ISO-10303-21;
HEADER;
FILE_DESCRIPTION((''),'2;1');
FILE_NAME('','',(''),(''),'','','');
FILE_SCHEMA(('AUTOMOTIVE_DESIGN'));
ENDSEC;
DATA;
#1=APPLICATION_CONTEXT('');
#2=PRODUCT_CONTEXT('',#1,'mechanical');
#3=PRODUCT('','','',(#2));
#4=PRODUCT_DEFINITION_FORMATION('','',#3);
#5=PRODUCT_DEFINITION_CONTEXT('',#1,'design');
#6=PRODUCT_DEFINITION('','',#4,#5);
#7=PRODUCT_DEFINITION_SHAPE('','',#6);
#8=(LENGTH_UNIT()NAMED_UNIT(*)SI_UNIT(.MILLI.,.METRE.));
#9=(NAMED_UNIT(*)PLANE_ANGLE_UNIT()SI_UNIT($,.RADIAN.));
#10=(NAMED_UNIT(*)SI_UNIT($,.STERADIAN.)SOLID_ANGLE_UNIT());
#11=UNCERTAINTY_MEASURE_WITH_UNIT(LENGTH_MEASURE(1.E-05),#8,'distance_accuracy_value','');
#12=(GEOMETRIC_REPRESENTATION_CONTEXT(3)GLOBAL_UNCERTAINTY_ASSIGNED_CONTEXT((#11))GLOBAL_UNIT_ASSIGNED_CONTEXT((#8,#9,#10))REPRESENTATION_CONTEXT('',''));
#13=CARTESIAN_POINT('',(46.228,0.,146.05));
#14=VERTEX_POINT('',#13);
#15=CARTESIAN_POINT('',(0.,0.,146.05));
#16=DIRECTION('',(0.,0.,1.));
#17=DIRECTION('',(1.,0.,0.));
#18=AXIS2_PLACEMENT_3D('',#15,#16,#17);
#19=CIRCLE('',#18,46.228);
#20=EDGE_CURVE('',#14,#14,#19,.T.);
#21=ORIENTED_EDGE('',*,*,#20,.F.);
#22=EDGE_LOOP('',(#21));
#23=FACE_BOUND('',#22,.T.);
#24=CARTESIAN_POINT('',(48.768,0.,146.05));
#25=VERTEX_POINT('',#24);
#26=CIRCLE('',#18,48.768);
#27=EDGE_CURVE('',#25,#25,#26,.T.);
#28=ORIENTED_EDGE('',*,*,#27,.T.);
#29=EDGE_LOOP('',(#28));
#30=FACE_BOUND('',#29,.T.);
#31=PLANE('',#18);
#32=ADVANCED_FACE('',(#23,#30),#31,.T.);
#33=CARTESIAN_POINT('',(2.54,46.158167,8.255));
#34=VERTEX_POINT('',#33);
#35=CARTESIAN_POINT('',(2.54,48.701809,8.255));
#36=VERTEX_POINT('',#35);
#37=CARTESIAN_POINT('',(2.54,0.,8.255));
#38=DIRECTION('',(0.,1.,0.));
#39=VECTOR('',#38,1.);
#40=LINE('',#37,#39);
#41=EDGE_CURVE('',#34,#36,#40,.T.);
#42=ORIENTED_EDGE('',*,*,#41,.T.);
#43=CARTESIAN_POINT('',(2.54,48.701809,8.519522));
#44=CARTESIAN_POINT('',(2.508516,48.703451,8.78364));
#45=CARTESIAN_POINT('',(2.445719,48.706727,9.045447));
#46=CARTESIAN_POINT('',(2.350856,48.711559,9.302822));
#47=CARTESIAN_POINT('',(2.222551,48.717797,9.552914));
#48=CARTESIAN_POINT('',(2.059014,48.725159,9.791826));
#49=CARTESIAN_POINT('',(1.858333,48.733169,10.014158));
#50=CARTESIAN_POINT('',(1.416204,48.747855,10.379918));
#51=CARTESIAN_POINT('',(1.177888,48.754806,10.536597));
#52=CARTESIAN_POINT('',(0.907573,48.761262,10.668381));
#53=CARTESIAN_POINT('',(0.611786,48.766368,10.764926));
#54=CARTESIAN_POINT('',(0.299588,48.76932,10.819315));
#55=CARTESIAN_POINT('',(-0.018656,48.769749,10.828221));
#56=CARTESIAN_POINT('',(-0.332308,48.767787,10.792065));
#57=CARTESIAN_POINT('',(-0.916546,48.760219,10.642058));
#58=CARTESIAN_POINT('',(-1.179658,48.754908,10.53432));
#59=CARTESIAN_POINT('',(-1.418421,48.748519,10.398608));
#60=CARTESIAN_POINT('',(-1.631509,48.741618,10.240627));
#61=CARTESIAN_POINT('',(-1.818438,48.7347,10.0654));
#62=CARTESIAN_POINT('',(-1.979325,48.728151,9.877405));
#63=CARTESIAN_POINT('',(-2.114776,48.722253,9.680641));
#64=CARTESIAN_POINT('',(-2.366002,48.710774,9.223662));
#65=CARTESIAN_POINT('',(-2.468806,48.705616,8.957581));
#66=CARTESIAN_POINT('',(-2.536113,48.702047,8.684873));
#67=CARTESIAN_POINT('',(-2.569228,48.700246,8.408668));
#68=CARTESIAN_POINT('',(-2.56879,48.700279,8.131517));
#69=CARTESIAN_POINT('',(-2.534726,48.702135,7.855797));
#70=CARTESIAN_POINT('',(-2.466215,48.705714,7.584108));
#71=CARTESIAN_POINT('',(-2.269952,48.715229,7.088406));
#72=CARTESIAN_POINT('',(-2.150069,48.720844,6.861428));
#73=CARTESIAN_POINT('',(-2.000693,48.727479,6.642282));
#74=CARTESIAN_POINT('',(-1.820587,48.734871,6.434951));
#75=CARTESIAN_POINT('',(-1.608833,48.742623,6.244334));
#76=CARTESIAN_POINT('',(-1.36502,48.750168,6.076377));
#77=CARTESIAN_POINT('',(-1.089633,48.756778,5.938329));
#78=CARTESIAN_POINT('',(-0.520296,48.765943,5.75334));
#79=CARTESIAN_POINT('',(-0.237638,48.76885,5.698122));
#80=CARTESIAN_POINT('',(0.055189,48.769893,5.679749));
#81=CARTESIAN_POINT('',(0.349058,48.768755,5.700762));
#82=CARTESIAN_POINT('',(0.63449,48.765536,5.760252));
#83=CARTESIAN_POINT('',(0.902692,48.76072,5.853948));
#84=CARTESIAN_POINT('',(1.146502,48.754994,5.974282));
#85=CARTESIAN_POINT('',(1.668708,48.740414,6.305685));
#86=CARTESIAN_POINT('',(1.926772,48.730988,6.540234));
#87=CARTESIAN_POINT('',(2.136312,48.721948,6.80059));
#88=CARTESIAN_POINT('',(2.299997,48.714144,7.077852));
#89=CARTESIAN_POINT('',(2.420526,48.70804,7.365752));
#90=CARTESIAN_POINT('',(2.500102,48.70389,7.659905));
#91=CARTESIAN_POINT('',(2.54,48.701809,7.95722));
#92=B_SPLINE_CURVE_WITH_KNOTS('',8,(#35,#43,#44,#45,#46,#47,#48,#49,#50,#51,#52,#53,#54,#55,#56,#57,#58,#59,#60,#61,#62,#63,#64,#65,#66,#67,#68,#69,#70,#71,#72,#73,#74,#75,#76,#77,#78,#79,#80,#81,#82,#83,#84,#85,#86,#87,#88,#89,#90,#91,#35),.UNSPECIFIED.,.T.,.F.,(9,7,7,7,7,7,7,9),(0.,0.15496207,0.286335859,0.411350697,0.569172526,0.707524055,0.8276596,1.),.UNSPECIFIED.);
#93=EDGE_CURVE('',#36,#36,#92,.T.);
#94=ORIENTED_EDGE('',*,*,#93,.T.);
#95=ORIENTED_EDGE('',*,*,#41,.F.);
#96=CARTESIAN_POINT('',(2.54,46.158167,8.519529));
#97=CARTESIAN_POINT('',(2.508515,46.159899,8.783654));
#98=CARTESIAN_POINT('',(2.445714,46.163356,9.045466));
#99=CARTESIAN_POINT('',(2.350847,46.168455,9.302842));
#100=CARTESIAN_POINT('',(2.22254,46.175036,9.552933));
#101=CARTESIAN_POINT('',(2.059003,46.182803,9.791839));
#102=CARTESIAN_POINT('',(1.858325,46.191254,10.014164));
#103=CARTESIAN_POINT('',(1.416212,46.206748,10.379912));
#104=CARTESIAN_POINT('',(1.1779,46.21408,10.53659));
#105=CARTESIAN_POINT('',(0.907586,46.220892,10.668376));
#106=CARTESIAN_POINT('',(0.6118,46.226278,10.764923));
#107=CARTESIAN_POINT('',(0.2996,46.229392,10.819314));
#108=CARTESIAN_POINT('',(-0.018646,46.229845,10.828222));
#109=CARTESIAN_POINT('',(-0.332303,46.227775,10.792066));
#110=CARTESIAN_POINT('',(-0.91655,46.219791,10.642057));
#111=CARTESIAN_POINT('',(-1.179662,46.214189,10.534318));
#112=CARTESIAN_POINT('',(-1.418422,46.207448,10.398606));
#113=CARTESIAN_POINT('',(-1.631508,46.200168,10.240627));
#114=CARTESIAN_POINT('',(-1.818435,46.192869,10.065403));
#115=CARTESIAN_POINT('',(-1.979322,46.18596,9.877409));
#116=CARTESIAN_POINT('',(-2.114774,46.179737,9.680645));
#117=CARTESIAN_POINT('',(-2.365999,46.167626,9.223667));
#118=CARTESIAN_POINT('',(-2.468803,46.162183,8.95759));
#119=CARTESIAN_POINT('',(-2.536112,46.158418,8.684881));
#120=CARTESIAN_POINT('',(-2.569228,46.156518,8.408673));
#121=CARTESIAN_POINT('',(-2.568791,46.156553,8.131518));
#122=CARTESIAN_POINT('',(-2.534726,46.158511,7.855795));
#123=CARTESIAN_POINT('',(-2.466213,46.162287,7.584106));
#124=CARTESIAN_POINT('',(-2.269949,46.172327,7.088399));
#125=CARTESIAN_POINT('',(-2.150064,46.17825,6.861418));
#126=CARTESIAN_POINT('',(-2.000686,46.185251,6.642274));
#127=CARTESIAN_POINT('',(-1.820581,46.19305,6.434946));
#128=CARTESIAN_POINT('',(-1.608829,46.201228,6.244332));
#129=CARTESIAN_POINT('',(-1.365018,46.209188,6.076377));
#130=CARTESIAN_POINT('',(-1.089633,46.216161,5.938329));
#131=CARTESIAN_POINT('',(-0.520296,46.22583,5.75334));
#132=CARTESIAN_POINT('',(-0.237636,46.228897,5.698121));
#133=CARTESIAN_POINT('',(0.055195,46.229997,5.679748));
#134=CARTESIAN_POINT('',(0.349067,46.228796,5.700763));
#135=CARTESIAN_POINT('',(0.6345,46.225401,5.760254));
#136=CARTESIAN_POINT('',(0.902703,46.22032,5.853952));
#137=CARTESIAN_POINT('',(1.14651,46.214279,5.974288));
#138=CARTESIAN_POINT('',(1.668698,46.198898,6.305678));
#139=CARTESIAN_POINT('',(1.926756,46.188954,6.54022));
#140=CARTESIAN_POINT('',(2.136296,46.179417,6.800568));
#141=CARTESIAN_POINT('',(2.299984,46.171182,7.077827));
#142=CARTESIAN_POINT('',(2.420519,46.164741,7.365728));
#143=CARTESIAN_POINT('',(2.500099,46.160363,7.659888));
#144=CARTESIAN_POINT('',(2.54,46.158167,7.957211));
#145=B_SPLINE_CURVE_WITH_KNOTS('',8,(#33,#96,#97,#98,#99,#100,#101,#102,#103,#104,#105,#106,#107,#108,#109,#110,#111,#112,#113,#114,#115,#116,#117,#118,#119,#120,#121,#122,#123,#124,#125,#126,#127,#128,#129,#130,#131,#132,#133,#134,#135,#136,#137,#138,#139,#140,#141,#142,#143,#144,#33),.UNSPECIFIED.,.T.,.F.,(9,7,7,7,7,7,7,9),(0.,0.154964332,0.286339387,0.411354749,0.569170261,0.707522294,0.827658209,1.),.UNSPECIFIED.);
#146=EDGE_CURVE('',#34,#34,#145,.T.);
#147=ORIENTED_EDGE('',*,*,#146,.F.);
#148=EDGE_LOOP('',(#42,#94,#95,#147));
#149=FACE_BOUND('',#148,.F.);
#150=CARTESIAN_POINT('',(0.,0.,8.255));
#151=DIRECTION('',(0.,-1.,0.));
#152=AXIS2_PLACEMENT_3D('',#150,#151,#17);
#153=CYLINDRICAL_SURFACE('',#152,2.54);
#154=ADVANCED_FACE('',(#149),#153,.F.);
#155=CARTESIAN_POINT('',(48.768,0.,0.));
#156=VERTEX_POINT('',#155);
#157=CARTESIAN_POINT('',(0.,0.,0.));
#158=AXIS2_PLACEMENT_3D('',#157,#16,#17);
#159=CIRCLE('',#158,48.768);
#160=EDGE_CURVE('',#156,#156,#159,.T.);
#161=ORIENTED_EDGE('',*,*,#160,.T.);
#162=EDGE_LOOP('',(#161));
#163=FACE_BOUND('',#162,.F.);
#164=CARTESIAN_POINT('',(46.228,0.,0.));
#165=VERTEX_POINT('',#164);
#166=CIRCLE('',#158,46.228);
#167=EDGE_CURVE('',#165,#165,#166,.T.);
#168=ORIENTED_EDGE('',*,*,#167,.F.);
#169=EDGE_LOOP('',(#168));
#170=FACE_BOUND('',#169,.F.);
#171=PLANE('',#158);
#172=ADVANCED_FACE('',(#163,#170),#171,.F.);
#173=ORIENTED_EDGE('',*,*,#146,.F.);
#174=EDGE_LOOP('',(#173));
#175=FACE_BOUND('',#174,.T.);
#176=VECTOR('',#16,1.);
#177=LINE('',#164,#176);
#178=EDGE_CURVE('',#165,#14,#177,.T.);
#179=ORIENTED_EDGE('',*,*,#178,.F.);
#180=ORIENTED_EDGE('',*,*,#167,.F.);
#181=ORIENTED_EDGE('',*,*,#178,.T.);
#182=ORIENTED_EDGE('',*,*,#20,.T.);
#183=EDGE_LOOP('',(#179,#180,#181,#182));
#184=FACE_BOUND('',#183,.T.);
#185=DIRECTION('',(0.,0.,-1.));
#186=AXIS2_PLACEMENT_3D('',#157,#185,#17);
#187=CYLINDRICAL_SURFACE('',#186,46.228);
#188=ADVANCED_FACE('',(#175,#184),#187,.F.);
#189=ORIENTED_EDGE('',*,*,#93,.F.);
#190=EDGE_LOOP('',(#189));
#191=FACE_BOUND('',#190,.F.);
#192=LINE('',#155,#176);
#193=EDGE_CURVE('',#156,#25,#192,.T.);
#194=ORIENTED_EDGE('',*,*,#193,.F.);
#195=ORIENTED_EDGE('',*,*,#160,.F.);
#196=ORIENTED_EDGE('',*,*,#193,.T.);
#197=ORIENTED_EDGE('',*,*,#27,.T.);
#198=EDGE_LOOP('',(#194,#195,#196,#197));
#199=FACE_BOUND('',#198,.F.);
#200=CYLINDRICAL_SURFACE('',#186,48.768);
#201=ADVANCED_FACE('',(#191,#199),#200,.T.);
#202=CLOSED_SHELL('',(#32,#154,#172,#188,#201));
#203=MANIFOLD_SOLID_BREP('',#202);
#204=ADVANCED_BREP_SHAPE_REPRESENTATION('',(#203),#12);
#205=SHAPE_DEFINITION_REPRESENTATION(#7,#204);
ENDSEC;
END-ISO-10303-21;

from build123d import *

# Parameters (mm, degrees)
F0_R     = 48.768
F0_R_2   = 46.228
F1_DEPTH = 146.05
F2_R     = 2.54
F3_DEPTH = 48.769


with BuildPart() as f1:
    # F0 (on Top) → F1 (new body)
    with BuildSketch(Plane.XY):
        Circle(F0_R)
        Circle(F0_R_2, mode=Mode.SUBTRACT)
    extrude(amount=F1_DEPTH)

    # F2 (on Front) → F3 (cut, through all)
    with BuildSketch(Plane.XZ):
        with Locations((0, 8.255)):
            Circle(F2_R)
    extrude(amount=-F3_DEPTH, mode=Mode.SUBTRACT)


solid = f1.part
